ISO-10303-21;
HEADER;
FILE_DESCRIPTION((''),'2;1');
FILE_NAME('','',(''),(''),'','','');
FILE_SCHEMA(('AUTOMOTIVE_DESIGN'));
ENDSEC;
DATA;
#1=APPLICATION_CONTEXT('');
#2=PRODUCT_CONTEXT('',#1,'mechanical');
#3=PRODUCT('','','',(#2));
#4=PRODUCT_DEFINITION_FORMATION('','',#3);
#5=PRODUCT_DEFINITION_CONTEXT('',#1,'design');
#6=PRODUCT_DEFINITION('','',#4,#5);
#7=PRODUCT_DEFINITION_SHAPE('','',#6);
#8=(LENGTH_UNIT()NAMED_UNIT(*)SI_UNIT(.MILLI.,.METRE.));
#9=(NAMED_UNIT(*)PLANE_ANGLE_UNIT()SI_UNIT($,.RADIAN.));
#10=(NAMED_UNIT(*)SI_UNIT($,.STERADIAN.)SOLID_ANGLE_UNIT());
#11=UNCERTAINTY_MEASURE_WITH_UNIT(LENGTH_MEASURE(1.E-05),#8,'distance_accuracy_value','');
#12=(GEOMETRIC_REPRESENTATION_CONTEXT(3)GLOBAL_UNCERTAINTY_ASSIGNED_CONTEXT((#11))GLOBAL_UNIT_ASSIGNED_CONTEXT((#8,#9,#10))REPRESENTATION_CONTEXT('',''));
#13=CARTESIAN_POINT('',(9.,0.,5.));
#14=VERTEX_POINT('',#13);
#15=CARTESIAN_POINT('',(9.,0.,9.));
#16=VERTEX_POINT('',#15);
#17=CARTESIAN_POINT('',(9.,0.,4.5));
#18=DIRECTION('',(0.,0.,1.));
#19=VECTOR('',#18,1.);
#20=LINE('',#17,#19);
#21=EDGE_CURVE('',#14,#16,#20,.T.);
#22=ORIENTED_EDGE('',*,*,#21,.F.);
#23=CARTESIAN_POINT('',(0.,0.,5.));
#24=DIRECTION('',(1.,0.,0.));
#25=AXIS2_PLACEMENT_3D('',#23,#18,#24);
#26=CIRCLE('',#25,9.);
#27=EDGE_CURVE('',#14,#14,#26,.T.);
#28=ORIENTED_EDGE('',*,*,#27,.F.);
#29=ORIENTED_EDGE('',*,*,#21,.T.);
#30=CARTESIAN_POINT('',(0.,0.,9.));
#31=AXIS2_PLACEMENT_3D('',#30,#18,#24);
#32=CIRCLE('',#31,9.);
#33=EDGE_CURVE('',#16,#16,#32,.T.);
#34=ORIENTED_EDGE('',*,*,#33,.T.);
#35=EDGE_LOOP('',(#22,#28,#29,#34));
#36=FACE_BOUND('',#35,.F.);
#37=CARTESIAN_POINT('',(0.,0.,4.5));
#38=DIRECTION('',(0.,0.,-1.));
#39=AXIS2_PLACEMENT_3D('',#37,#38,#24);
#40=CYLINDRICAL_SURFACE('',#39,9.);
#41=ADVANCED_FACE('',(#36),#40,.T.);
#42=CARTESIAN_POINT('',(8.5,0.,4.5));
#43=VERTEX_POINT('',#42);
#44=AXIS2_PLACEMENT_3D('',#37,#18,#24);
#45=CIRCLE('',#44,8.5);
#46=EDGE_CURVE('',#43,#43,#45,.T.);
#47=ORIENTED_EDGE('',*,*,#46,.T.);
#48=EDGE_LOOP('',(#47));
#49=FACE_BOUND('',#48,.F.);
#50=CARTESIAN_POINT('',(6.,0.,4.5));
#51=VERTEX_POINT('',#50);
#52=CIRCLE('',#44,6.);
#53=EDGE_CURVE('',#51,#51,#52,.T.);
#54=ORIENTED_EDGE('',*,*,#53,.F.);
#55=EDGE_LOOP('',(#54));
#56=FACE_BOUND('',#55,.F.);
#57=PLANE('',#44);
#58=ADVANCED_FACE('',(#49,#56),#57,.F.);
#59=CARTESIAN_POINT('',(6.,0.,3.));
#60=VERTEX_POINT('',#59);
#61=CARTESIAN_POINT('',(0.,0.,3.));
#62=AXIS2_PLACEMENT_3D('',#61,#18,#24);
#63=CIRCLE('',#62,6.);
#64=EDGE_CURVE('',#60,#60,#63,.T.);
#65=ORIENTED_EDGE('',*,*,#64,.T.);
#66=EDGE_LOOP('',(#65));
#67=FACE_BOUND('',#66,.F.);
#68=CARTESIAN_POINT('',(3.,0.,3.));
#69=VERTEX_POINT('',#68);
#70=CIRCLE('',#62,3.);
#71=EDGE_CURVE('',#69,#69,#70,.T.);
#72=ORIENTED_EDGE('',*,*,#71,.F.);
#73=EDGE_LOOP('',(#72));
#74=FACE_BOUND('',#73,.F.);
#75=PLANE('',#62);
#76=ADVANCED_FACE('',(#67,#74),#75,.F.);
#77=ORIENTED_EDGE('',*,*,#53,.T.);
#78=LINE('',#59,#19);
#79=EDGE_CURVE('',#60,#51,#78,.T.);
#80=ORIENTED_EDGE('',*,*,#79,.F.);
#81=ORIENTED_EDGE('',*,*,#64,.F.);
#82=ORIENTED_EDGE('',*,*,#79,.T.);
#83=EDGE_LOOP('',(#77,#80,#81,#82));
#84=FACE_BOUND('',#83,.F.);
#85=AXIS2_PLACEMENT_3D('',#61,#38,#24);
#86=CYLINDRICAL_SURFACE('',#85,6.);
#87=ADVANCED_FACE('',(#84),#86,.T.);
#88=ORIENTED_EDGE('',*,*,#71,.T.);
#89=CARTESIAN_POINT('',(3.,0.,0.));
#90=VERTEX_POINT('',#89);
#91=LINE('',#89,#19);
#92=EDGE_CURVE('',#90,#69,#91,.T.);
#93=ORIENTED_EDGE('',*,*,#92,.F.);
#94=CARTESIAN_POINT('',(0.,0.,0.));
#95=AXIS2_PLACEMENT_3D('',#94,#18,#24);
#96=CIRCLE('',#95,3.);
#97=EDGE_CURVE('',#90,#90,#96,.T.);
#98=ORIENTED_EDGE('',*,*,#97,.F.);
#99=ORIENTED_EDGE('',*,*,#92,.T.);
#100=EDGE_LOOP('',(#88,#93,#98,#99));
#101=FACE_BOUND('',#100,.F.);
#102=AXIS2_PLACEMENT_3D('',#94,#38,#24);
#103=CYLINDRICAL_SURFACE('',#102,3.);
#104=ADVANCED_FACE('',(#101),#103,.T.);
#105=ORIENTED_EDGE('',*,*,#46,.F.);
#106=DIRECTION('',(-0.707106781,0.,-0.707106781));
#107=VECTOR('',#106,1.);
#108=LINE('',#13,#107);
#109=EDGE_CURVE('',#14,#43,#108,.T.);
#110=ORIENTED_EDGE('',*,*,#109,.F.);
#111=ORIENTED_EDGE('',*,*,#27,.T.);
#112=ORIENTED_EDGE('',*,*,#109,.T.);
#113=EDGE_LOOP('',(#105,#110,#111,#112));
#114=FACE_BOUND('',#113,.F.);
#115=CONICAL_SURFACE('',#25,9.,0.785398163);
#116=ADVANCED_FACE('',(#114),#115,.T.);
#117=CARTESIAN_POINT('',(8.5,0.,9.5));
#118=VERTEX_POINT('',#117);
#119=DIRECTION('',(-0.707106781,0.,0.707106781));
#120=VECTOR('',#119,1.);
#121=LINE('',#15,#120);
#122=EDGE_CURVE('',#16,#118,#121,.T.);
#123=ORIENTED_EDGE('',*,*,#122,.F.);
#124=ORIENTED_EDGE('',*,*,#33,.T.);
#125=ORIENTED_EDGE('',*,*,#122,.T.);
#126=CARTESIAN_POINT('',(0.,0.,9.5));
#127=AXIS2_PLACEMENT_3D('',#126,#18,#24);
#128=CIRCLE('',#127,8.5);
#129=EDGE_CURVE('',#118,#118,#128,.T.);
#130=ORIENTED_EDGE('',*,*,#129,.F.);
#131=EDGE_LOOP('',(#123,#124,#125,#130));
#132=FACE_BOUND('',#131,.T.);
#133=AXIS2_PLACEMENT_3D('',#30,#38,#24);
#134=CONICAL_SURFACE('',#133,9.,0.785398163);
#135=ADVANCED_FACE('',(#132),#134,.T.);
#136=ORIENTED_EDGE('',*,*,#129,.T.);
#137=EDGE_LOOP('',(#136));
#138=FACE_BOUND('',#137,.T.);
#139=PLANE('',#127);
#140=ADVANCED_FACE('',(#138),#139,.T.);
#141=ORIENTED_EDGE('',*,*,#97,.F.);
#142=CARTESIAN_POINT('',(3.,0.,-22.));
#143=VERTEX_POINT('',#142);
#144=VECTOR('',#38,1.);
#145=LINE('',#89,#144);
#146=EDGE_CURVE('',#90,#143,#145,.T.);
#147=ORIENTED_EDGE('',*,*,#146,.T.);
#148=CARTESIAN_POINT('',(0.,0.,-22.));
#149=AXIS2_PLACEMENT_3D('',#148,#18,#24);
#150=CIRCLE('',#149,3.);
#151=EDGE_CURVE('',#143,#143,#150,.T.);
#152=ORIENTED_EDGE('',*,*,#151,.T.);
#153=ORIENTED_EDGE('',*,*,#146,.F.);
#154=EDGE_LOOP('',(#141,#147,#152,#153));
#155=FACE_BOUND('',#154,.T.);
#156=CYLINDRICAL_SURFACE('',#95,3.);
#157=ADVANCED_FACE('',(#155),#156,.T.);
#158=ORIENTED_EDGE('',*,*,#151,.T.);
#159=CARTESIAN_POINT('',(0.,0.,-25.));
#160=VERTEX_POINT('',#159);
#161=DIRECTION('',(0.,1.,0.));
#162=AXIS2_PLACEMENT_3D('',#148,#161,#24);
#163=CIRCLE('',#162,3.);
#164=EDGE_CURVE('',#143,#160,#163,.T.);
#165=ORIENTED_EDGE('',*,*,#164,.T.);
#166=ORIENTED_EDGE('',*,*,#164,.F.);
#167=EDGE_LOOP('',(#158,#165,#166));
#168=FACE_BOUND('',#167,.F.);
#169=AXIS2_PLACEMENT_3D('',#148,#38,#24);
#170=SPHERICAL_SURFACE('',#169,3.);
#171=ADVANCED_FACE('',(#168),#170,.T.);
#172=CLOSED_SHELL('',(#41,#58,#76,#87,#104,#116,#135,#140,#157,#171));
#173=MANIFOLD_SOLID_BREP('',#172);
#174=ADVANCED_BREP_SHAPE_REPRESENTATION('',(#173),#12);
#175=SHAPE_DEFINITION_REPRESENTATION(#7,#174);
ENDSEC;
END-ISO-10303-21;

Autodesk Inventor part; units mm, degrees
ref_plane "YZ Plane" through (0, 0, 0) normal (1, 0, 0) x (0, 1, 0)
ref_plane "XZ Plane" through (0, 0, 0) normal (0, 1, 0) x (-1, 0, 0)
ref_plane "XY Plane" through (0, 0, 0) normal (0, 0, 1) x (1, 0, 0)
sketch "Esboço1" plane through (0, 0, 0) normal (0, 0, 1) x (1, 0, 0)
  circle A0 centre (0, 0) radius 3.5 projected
  circle A1 centre (0, 0) radius 3
  point P0 (0, 0)
  dimension "d0" = 6
extrude "Extrusão1" add sketch "Esboço1" against normal blind 25 contours A1
fillet "Arredondamento1" radius 3 1 edges at (-3, 0, -25)
sketch "Esboço2" plane through (0, 0, 0) normal (0, 0, 1) x (1, 0, 0)
  circle A0 centre (0, 0) radius 3 projected
  point P0 (0, 0)
extrude "Extrusão2" add sketch "Esboço2" along normal blind 3
sketch "Esboço3" plane through (0, 0, 3) normal (0, 0, 1) x (1, 0, 0)
  circle A0 centre (0, 0) radius 3 projected
  circle A1 centre (0, 0) radius 6
  point P0 (0, 0)
  dimension "d6" = 12
extrude "Extrusão3" add sketch "Esboço3" along normal blind 1.5 contours A0 | A1
sketch "Esboço4" plane through (0, 0, 4.5) normal (0, 0, 1) x (1, 0, 0)
  circle A0 centre (0, 0) radius 9
  dimension "d9" = 18
extrude "Extrusão4" add sketch "Esboço4" along normal blind 5
chamfer "Chanfro1" distance 0.5 angle 45 2 edges at (-9, 0, 9.5) (-9, 0, 4.5)
properties part number "Pino de Liberação Valvula Alivio de Pressão"
